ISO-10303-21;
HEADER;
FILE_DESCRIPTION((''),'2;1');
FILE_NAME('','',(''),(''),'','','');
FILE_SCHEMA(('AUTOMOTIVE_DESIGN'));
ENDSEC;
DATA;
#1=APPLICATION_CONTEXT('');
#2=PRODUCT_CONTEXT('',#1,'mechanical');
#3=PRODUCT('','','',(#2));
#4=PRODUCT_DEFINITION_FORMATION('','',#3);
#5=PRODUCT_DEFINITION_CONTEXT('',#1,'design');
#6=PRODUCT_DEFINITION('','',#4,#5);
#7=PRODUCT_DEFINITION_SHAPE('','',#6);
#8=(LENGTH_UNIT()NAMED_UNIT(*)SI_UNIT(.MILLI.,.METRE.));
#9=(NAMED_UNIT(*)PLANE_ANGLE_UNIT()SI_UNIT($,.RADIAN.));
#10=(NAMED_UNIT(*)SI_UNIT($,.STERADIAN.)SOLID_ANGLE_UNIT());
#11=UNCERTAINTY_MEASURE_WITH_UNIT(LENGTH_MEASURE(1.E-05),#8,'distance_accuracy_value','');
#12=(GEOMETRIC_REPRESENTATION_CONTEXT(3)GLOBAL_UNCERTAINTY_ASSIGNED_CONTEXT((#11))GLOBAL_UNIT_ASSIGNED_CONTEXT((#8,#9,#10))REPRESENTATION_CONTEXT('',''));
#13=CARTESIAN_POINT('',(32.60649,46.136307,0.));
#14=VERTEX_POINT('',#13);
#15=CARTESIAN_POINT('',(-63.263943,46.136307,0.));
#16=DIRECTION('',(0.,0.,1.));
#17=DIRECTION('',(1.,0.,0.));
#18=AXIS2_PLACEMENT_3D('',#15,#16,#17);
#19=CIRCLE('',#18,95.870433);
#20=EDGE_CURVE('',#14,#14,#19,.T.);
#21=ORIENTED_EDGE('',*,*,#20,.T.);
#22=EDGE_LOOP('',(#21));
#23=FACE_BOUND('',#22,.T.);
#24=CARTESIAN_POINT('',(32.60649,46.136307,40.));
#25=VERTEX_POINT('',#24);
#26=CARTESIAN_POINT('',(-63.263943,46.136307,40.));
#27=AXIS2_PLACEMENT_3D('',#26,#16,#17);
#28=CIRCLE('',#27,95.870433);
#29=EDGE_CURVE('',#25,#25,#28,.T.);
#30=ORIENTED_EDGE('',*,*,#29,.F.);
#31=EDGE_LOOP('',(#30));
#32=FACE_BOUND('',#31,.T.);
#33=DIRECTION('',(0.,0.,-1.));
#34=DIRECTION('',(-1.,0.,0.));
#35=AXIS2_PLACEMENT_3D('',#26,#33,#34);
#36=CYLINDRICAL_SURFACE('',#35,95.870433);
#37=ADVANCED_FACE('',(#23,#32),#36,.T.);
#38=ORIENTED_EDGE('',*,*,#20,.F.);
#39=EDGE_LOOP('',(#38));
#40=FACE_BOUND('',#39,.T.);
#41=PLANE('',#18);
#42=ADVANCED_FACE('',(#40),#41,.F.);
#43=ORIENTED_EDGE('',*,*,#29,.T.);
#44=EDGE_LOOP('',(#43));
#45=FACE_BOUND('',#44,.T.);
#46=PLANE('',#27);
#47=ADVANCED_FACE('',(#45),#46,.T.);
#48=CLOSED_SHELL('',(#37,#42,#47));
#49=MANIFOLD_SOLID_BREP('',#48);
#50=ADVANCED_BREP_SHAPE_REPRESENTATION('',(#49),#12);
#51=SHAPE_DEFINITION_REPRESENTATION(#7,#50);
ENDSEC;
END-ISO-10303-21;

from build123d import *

# Parameters (mm, degrees)
ESQUISSE1_R        = 95.870432567
BOSS_EXTRU_1_DEPTH = 40


with BuildPart() as part:
    # Esquisse1 → Boss.-Extru.1 (new body)
    with BuildSketch(Plane.XY):
        with Locations((-63.263942929, 46.136307054)):
            Circle(ESQUISSE1_R)
    extrude(amount=BOSS_EXTRU_1_DEPTH)


solid = part.part
